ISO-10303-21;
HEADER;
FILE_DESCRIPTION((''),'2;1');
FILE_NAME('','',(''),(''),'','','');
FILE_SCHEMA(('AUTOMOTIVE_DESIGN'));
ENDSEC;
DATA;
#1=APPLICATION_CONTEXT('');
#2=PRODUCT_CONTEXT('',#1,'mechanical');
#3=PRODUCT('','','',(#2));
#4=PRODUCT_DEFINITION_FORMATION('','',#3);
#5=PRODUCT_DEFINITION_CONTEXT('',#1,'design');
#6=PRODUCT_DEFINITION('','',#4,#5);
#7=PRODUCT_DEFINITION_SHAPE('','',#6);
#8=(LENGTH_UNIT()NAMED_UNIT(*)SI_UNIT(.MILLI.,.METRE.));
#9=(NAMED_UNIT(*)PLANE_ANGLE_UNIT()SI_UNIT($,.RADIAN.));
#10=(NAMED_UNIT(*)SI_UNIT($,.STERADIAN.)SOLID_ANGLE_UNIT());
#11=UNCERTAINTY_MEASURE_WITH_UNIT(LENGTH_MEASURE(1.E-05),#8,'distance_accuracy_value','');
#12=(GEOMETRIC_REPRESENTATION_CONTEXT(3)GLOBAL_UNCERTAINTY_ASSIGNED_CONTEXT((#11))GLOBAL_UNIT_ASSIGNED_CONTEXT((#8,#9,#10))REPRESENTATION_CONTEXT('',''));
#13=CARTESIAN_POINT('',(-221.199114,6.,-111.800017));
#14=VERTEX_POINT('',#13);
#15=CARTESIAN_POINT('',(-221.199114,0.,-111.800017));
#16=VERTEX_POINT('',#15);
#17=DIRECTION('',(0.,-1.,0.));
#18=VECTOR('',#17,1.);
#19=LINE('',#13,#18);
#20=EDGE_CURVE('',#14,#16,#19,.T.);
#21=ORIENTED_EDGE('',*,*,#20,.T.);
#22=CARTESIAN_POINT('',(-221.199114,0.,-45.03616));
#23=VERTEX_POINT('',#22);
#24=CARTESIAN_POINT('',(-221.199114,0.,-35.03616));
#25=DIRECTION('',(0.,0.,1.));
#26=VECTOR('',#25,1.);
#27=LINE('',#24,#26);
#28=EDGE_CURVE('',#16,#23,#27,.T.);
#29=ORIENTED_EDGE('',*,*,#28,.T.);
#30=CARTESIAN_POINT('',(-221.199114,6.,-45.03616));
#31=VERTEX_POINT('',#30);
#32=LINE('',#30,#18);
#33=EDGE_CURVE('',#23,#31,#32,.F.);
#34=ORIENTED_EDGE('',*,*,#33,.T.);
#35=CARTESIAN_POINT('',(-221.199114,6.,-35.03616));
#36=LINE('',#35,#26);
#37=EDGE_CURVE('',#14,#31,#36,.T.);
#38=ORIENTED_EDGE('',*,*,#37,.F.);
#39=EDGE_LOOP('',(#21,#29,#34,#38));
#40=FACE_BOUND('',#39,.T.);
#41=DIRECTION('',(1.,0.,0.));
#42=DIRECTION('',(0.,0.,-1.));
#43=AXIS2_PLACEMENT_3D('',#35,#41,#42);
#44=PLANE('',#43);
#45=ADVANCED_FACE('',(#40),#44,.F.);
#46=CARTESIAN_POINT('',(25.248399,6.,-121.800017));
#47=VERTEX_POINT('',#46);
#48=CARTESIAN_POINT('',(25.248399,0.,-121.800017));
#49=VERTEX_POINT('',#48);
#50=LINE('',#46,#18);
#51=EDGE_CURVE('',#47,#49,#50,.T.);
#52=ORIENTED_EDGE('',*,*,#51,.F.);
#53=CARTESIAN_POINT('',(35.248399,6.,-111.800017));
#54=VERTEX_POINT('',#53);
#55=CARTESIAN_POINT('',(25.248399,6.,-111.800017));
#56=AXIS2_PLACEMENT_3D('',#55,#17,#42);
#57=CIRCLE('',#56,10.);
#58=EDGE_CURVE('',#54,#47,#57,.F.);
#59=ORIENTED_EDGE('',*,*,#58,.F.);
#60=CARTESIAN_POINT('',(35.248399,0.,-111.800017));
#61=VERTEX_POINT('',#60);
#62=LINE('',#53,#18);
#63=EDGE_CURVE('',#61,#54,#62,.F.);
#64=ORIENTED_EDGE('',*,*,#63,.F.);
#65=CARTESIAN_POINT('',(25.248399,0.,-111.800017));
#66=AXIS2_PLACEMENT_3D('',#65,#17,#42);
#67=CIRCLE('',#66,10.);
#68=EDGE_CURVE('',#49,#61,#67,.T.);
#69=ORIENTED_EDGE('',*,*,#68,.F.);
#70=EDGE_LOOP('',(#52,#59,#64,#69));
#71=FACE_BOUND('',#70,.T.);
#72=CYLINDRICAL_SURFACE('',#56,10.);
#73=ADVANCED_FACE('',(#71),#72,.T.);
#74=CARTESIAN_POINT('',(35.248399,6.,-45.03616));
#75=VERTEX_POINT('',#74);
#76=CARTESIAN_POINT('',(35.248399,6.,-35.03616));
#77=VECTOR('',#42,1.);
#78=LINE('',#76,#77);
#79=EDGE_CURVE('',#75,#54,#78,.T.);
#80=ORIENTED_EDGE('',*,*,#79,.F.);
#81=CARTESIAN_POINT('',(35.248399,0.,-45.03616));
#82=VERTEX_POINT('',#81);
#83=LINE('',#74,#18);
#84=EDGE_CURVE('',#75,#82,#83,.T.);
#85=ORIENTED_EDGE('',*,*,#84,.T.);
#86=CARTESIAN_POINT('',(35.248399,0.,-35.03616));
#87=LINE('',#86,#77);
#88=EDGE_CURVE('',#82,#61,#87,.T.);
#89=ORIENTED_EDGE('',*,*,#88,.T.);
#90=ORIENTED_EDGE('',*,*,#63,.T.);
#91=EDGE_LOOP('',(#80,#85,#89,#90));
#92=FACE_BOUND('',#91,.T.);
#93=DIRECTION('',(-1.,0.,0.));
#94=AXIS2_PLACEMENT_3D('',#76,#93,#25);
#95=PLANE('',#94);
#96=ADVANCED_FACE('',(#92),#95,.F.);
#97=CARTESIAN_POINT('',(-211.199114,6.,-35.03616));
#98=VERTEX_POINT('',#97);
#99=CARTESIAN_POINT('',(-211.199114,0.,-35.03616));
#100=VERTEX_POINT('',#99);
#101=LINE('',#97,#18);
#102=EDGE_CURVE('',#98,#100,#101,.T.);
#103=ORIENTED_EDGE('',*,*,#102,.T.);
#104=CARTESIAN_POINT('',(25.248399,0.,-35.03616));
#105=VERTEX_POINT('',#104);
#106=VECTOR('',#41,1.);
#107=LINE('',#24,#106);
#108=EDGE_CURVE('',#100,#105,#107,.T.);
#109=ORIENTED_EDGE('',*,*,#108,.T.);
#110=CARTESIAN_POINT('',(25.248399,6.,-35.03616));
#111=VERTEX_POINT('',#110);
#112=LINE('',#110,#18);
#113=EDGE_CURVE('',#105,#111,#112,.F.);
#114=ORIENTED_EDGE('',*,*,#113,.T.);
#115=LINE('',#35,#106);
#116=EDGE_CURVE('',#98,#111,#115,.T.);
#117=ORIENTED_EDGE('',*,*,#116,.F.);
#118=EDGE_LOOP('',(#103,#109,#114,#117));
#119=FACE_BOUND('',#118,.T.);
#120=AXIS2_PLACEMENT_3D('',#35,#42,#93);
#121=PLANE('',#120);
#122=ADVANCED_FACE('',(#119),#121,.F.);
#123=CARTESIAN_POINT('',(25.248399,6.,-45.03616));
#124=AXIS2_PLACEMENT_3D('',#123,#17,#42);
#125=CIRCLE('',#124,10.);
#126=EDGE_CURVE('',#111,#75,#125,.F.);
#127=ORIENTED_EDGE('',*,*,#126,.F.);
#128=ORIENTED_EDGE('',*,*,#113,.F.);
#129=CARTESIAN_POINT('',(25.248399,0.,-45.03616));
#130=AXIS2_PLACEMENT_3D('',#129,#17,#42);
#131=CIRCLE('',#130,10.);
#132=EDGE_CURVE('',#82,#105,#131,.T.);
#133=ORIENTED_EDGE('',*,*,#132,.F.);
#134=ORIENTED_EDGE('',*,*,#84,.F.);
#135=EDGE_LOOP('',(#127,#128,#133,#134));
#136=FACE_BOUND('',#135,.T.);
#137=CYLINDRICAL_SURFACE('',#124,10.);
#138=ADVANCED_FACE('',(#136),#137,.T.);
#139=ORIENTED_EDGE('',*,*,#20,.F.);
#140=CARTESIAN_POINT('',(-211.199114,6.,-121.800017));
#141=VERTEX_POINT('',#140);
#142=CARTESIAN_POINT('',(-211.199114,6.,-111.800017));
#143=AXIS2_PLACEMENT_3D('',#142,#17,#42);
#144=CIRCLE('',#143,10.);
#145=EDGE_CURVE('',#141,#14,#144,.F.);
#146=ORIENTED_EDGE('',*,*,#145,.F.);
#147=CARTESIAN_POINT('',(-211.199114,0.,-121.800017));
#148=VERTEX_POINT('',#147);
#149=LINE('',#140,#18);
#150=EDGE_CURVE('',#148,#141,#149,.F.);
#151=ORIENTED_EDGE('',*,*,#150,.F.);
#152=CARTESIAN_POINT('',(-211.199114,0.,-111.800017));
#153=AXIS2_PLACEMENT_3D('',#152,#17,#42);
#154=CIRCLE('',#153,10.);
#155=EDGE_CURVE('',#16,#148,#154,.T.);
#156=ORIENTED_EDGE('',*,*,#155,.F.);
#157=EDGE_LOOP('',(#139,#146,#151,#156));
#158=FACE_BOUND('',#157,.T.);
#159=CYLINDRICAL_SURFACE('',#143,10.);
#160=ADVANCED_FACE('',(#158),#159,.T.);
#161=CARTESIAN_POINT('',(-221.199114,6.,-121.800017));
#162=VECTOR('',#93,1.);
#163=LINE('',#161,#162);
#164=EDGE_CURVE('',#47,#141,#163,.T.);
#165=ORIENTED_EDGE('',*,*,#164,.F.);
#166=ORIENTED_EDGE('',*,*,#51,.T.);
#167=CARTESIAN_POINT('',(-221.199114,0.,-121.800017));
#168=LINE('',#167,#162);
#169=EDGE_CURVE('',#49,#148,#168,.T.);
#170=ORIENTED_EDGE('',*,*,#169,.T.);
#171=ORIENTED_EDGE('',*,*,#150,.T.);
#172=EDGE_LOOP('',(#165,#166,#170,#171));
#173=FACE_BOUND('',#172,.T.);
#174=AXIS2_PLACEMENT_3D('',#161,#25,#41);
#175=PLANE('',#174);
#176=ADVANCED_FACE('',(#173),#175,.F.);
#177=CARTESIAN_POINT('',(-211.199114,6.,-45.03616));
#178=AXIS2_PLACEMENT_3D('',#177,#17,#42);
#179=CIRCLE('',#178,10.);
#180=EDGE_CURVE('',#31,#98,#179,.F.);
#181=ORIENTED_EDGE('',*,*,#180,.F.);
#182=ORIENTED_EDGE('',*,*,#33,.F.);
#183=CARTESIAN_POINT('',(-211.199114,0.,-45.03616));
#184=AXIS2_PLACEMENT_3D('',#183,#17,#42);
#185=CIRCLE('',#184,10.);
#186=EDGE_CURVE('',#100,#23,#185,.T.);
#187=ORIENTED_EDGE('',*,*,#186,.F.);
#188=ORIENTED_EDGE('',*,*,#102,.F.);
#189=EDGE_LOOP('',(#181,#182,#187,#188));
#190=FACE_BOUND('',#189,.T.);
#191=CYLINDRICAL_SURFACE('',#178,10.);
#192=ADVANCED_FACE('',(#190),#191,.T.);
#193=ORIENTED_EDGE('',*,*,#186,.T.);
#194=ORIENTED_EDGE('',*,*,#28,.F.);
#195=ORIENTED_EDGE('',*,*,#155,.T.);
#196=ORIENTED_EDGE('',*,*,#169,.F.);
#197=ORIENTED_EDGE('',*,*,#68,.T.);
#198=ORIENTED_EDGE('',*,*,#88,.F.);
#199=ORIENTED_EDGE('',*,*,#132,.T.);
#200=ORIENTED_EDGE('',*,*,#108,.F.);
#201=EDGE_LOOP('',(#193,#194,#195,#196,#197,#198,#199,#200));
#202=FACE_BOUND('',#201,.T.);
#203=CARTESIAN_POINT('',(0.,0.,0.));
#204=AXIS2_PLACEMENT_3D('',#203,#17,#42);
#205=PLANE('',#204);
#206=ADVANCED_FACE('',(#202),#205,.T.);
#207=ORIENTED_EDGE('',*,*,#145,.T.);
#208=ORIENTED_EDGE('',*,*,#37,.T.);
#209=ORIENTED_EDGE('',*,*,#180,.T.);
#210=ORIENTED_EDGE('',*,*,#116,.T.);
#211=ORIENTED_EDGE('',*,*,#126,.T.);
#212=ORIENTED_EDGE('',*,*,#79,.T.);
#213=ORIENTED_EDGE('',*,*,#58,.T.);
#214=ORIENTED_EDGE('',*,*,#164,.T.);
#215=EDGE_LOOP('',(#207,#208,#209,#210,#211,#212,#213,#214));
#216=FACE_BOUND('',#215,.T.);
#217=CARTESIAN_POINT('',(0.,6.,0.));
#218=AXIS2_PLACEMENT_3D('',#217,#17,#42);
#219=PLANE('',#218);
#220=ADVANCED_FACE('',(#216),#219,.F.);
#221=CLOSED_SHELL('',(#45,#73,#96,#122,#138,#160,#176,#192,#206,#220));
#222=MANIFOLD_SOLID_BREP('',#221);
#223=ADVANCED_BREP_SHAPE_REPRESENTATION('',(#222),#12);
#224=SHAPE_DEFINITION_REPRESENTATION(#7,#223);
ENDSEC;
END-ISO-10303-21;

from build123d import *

# Parameters (mm, degrees)
SKETCH2_W           = 256.44751275
SKETCH2_H           = 86.763856324
BOSS_EXTRUDE2_DEPTH = 6
FILLET1_R           = 10


with BuildPart() as part:
    # Sketch2 → Boss-Extrude2 (new body)
    with BuildSketch(Plane(origin=(0, 0, 0), x_dir=(1, 0, 0), z_dir=(0, 1, 0))):
        with Locations((-92.975357556, 78.4180884)):
            Rectangle(SKETCH2_W, SKETCH2_H)
    extrude(amount=BOSS_EXTRUDE2_DEPTH)

    # Fillet1
    fillet1_edges = [part.edges().sort_by_distance(p)[0] for p in [
        (35.248398819, 3, -35.036160238),
        (-221.199113931, 3, -35.036160238),
        (-221.199113931, 3, -121.800016562),
        (35.248398819, 3, -121.800016562),
    ]]
    fillet(fillet1_edges, radius=FILLET1_R)


solid = part.part
